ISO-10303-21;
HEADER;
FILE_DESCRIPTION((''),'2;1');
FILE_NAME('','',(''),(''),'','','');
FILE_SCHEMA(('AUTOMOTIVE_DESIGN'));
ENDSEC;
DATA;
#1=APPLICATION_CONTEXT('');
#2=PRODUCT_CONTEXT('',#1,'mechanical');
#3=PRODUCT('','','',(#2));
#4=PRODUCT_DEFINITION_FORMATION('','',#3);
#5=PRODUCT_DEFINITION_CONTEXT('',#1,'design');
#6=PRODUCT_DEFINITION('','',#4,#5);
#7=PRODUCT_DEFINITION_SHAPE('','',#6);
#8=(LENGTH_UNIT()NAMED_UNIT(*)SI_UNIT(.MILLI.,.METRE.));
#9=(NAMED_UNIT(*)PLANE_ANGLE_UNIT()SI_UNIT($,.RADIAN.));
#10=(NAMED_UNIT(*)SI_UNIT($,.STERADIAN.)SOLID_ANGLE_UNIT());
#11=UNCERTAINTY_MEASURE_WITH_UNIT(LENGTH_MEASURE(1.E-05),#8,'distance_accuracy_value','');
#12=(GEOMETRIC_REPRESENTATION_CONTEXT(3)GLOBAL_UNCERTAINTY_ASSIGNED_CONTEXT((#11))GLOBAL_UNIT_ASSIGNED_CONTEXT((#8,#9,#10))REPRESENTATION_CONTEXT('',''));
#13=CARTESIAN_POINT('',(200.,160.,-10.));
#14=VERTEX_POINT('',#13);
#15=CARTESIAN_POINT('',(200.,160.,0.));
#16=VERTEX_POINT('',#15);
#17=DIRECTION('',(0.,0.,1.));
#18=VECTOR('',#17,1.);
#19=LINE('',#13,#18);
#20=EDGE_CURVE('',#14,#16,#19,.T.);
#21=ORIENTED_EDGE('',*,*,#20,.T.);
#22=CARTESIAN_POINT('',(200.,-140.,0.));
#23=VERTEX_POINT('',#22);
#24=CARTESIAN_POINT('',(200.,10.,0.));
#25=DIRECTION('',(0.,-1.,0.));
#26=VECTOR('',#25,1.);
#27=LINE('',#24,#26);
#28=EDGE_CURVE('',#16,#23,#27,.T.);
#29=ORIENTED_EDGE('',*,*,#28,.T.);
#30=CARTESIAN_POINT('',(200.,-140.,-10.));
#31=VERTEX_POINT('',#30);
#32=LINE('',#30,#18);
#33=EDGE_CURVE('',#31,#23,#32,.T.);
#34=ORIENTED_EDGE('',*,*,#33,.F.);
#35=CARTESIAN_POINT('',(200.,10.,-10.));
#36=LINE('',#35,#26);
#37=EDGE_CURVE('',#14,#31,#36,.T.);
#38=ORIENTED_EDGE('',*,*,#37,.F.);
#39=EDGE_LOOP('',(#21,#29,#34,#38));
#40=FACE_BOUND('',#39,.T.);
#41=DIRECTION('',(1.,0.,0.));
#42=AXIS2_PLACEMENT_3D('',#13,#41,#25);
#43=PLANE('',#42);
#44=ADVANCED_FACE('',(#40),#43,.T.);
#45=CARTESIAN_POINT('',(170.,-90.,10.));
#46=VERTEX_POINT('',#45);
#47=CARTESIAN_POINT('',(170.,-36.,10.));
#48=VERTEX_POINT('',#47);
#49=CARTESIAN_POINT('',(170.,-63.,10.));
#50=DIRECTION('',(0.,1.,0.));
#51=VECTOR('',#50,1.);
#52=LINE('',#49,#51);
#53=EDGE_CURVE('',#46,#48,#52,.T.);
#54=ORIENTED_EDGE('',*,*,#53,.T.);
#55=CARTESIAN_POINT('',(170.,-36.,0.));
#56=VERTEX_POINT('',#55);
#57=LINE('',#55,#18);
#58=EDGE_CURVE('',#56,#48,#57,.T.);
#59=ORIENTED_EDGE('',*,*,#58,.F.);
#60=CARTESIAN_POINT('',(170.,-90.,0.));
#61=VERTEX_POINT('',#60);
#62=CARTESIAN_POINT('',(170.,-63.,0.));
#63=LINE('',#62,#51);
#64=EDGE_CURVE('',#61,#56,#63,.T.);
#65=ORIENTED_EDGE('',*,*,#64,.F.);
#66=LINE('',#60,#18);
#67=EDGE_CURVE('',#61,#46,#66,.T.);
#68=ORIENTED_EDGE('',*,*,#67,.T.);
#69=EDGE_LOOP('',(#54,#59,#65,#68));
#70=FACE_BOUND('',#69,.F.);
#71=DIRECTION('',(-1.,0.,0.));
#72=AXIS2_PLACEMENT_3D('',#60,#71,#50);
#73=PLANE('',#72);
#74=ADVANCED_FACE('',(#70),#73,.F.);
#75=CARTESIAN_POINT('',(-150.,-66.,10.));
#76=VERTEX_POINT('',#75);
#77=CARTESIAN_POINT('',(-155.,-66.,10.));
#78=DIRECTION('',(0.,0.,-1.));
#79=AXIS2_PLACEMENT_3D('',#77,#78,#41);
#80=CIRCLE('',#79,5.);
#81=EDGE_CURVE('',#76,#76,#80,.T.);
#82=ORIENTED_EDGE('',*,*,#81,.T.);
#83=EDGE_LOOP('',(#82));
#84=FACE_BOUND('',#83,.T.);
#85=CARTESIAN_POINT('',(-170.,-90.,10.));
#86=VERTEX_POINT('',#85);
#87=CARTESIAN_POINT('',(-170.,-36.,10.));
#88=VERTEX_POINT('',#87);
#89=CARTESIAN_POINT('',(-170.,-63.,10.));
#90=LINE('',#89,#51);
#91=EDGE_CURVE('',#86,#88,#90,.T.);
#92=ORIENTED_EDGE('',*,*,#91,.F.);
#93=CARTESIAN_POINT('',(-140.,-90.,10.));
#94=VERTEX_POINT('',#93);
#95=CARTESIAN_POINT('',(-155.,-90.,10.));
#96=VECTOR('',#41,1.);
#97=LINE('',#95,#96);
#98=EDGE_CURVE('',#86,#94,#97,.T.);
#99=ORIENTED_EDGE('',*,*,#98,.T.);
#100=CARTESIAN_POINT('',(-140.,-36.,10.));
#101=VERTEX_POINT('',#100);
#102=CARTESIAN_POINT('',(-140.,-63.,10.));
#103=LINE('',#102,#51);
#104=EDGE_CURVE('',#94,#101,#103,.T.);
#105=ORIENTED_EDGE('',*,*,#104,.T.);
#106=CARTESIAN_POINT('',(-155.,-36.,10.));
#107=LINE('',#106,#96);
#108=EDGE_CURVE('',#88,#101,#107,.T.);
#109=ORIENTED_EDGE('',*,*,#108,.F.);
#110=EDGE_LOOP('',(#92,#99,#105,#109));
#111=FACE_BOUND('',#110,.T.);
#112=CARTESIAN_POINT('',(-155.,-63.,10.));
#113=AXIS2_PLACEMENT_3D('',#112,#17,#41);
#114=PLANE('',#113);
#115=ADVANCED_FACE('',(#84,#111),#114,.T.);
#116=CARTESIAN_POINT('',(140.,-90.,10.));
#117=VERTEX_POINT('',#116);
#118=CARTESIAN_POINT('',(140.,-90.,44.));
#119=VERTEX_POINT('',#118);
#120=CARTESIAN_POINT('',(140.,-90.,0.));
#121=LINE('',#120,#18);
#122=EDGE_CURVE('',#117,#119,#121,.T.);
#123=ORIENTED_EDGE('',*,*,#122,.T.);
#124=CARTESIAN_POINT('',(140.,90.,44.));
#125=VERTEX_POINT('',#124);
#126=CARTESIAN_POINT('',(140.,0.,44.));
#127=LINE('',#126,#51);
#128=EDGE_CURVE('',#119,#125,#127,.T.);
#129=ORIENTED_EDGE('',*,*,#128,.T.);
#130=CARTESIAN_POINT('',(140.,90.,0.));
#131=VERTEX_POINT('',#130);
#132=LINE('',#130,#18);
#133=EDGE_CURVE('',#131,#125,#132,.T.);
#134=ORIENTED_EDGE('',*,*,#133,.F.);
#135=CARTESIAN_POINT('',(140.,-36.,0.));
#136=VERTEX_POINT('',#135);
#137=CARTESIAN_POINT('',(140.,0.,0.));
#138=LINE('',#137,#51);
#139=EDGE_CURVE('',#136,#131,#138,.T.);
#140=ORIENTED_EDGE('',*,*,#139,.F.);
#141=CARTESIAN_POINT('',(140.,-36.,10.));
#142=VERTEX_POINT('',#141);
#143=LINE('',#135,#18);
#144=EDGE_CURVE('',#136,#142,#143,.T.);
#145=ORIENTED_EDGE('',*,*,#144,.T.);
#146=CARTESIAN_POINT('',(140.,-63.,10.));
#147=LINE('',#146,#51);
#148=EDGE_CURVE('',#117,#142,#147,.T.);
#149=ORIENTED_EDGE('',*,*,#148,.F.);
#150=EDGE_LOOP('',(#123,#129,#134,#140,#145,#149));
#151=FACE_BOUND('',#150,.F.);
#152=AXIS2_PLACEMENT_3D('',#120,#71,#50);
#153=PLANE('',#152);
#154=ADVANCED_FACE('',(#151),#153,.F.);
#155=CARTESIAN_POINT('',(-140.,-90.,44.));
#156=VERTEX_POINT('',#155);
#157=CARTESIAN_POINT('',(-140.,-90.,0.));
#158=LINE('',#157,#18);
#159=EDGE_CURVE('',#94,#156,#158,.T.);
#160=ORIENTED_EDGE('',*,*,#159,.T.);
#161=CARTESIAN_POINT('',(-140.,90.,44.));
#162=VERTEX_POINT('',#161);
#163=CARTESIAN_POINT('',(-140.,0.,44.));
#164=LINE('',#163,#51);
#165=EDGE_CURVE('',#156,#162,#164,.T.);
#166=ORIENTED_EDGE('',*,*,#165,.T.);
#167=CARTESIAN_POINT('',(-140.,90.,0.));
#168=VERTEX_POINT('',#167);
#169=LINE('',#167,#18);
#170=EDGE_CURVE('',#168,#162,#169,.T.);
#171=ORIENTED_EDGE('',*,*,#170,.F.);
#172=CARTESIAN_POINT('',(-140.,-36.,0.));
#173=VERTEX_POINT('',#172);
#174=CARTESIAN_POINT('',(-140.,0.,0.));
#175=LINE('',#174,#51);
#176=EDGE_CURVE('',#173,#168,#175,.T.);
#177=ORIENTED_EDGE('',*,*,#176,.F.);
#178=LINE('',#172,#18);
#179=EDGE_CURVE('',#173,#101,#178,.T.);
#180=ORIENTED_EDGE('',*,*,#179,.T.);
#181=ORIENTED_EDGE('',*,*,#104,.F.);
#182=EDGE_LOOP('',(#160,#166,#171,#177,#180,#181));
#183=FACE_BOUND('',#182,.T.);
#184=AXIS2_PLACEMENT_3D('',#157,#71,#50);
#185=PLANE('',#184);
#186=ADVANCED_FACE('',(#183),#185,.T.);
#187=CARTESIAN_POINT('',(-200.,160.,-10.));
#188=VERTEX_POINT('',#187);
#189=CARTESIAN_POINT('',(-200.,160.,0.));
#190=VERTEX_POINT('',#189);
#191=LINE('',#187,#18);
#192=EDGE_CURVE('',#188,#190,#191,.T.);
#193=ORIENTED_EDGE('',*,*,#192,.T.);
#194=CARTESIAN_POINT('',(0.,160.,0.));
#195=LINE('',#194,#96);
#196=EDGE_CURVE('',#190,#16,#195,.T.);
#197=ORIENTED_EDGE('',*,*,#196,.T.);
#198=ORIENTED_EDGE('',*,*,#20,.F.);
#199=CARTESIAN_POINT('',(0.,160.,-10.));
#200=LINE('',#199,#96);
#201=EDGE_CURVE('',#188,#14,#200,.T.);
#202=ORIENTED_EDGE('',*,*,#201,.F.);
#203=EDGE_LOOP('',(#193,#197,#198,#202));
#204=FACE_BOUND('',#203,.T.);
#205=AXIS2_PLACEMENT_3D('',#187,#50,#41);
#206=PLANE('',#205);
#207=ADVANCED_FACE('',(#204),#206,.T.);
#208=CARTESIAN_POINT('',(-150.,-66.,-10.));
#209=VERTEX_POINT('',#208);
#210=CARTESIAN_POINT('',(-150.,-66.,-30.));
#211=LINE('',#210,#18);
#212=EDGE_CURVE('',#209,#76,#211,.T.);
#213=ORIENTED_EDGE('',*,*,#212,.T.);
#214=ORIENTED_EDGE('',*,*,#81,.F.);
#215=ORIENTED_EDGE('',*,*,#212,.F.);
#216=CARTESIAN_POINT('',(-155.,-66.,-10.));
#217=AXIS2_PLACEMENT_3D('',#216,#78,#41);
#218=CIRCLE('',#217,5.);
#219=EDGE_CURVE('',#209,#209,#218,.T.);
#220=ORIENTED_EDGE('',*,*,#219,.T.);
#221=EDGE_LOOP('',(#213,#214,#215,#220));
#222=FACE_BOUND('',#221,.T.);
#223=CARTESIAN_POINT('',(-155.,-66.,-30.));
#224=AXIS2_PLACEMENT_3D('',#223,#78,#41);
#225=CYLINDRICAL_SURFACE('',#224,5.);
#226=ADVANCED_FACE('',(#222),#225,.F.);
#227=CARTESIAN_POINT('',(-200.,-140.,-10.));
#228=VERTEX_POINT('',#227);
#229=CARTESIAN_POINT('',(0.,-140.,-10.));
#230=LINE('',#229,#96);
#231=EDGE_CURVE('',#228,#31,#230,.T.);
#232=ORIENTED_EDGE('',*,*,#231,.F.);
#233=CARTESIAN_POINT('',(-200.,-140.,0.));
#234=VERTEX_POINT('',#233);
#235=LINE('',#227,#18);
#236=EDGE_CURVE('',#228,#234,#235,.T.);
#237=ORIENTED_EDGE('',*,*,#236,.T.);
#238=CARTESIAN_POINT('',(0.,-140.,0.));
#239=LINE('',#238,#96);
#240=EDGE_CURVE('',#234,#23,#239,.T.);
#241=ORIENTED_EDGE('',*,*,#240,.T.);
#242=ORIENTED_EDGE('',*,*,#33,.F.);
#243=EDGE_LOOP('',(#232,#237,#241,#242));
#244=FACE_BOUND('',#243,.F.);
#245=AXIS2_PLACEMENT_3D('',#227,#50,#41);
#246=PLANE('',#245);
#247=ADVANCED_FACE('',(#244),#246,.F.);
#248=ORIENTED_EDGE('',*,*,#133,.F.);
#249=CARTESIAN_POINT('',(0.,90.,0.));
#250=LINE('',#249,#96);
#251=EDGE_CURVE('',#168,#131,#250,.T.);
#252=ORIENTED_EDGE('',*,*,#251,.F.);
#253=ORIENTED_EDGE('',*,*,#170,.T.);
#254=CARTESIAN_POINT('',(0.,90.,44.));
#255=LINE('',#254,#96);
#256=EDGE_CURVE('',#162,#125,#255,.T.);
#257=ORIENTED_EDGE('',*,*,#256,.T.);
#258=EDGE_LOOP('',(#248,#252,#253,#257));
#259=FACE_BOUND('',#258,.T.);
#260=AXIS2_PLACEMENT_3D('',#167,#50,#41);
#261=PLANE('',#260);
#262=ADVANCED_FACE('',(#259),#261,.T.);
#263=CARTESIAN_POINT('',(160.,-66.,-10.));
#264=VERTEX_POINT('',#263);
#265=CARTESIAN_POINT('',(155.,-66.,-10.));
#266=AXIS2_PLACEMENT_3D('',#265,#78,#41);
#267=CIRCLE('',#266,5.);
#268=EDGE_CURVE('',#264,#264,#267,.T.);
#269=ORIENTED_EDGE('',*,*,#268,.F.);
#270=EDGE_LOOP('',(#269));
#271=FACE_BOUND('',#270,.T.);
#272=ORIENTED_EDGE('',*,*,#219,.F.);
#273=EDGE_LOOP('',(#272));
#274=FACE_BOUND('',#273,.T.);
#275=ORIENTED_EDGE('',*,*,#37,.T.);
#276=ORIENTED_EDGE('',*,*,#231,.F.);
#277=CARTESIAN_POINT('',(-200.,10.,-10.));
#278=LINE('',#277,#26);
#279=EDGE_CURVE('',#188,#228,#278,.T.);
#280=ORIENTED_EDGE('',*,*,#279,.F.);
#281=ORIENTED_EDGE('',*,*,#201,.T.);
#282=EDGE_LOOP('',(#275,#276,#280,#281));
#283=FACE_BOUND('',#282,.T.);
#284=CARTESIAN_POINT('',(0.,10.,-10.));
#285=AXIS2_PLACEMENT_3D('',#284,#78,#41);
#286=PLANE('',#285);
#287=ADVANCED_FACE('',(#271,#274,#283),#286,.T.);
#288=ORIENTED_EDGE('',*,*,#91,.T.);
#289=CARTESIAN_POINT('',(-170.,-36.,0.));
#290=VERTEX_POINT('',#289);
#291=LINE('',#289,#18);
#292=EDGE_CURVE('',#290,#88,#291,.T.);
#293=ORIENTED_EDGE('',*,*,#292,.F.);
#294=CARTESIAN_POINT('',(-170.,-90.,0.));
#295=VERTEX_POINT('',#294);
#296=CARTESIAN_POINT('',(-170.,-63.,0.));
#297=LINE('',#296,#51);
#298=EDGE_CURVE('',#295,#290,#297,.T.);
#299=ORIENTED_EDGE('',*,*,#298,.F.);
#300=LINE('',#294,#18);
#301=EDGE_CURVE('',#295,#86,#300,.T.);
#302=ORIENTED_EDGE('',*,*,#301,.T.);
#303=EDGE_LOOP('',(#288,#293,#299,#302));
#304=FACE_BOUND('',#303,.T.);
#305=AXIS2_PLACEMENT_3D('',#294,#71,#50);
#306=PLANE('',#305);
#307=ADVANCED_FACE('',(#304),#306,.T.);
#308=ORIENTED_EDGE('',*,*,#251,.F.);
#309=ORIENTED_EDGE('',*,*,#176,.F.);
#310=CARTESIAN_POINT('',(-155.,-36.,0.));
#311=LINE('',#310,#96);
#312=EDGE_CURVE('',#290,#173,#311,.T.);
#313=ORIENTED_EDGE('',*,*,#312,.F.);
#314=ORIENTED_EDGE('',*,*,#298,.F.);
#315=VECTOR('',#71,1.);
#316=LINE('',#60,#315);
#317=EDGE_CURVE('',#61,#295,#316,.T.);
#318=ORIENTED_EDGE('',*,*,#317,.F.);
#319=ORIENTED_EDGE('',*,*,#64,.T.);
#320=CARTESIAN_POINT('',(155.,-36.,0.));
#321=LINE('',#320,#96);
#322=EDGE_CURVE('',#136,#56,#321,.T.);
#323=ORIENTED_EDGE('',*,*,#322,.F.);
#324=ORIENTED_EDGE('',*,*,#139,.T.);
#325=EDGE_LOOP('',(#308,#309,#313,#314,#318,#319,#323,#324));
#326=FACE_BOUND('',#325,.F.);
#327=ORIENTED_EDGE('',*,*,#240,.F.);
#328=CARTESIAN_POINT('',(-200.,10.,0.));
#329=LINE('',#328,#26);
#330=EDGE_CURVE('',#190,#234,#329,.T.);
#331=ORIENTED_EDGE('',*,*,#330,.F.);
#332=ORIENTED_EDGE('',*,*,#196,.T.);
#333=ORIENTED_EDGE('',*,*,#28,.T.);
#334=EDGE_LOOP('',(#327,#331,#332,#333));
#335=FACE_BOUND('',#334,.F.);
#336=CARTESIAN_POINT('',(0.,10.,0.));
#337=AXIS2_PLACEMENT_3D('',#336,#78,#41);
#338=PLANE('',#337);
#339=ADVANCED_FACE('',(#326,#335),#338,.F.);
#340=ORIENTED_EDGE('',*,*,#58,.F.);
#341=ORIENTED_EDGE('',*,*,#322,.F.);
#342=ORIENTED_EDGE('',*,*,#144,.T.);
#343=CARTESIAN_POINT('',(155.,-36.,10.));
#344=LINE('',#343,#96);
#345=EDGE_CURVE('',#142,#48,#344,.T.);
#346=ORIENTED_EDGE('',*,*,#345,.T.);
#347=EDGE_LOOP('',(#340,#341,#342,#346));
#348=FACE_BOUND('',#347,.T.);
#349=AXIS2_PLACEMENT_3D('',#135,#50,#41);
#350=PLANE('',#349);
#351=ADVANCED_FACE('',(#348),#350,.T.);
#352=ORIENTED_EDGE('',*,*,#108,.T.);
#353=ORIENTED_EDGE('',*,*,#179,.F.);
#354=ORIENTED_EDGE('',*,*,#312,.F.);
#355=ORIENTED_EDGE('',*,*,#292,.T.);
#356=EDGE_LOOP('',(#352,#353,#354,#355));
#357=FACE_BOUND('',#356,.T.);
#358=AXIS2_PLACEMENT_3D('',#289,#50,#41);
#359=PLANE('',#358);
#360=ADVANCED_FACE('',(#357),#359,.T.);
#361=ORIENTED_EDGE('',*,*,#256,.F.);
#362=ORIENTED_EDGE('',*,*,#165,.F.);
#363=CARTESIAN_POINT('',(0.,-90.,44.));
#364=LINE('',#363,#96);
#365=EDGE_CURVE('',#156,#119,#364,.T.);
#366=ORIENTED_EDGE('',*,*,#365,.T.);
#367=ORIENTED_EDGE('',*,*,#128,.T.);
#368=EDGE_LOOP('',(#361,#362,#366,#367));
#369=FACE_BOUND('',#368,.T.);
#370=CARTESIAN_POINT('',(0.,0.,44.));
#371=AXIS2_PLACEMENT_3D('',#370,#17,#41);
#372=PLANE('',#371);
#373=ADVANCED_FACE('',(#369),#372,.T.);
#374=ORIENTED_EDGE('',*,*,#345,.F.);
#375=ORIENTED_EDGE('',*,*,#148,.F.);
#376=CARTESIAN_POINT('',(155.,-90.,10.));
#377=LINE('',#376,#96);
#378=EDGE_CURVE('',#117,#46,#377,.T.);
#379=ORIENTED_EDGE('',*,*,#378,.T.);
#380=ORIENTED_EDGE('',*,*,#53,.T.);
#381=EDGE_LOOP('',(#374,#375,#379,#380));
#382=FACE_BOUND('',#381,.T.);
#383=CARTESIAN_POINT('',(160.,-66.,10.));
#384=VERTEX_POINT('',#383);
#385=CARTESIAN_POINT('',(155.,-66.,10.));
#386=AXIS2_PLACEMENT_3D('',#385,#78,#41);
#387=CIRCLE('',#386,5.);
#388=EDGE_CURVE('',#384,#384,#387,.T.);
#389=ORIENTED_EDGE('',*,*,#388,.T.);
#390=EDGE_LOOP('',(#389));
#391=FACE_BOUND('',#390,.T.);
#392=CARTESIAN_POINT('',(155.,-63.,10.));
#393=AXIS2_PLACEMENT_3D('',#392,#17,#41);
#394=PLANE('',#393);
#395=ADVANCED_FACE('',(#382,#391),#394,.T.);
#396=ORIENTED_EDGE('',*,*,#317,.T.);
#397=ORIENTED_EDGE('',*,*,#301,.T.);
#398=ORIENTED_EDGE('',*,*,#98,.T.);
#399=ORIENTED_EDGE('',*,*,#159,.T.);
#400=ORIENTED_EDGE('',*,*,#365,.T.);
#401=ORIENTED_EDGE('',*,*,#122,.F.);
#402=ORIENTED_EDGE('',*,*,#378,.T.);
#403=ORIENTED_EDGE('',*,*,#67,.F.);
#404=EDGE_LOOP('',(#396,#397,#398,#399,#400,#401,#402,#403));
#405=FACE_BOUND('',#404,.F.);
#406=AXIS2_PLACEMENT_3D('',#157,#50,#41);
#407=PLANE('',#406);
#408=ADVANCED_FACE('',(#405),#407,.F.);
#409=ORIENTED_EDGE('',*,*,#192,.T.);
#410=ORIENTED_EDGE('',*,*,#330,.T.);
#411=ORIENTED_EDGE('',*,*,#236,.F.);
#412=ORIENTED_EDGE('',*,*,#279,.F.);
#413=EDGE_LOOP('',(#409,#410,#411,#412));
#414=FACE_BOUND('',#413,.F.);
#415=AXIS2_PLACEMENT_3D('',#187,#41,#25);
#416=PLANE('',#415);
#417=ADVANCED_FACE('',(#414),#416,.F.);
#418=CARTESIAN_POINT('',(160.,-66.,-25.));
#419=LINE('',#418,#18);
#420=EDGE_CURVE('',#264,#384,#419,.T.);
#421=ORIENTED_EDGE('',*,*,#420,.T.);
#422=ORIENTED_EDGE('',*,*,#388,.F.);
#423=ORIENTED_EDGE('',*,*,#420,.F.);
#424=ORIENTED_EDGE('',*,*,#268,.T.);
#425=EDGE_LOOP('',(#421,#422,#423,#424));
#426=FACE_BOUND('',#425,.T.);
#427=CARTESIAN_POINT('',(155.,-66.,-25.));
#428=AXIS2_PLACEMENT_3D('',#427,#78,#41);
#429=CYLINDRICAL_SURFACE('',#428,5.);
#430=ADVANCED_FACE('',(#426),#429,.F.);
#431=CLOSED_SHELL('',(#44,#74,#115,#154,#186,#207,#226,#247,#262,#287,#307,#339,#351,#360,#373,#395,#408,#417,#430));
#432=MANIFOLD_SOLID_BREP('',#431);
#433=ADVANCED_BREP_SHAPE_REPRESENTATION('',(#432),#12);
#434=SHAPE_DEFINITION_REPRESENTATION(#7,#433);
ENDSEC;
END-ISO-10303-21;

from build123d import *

# Parameters (mm, degrees)
CYLINDER001_R     = 5
CYLINDER001_DEPTH = 50
CYLINDER_R        = 5
CYLINDER_DEPTH    = 50
SKETCH_W          = 280
SKETCH_H          = 180
PAD_DEPTH         = 44
SKETCH001_W       = 30
SKETCH001_H       = 54
PAD001_DEPTH      = 10
SKETCH002_W       = 400
SKETCH002_H       = 300
PAD002_DEPTH      = 10


with BuildPart() as cylinder001:
    # Cylinder001 → Cylinder001 (new body)
    with BuildSketch(Plane(origin=(-155, -66, -30), x_dir=(1, 0, 0), z_dir=(0, 0, 1))):
        Circle(CYLINDER001_R)
    extrude(amount=CYLINDER001_DEPTH)


with BuildPart() as cylinder:
    # Cylinder → Cylinder (new body)
    with BuildSketch(Plane(origin=(155, -66, -25), x_dir=(1, 0, 0), z_dir=(0, 0, 1))):
        Circle(CYLINDER_R)
    extrude(amount=CYLINDER_DEPTH)


with BuildPart() as pad:
    # Sketch → Pad (new body)
    with BuildSketch(Plane.XY):
        Rectangle(SKETCH_W, SKETCH_H)
    extrude(amount=PAD_DEPTH)


with BuildPart() as fusion:
    # Sketch001 → Pad001 (new body)
    with BuildSketch(Plane.XY):
        with Locations((155, -63)):
            Rectangle(SKETCH001_W, SKETCH001_H)
        with Locations((-155, -63)):
            Rectangle(SKETCH001_W, SKETCH001_H)
    extrude(amount=PAD001_DEPTH)

    # Fusion: union Pad
    add(pad.part)


with BuildPart() as cut001:
    # Sketch002 → Pad002 (new body)
    with BuildSketch(Plane(origin=(0, 0, -10), x_dir=(1, 0, 0), z_dir=(0, 0, -1))):
        with Locations((0, -10)):
            Rectangle(SKETCH002_W, SKETCH002_H)
    extrude(amount=-PAD002_DEPTH)

    # Fusion001: union Fusion
    add(fusion.part)

    # Cut: cut Cylinder
    add(cylinder.part, mode=Mode.SUBTRACT)

    # Cut001: cut Cylinder001
    add(cylinder001.part, mode=Mode.SUBTRACT)


solid = cut001.part
